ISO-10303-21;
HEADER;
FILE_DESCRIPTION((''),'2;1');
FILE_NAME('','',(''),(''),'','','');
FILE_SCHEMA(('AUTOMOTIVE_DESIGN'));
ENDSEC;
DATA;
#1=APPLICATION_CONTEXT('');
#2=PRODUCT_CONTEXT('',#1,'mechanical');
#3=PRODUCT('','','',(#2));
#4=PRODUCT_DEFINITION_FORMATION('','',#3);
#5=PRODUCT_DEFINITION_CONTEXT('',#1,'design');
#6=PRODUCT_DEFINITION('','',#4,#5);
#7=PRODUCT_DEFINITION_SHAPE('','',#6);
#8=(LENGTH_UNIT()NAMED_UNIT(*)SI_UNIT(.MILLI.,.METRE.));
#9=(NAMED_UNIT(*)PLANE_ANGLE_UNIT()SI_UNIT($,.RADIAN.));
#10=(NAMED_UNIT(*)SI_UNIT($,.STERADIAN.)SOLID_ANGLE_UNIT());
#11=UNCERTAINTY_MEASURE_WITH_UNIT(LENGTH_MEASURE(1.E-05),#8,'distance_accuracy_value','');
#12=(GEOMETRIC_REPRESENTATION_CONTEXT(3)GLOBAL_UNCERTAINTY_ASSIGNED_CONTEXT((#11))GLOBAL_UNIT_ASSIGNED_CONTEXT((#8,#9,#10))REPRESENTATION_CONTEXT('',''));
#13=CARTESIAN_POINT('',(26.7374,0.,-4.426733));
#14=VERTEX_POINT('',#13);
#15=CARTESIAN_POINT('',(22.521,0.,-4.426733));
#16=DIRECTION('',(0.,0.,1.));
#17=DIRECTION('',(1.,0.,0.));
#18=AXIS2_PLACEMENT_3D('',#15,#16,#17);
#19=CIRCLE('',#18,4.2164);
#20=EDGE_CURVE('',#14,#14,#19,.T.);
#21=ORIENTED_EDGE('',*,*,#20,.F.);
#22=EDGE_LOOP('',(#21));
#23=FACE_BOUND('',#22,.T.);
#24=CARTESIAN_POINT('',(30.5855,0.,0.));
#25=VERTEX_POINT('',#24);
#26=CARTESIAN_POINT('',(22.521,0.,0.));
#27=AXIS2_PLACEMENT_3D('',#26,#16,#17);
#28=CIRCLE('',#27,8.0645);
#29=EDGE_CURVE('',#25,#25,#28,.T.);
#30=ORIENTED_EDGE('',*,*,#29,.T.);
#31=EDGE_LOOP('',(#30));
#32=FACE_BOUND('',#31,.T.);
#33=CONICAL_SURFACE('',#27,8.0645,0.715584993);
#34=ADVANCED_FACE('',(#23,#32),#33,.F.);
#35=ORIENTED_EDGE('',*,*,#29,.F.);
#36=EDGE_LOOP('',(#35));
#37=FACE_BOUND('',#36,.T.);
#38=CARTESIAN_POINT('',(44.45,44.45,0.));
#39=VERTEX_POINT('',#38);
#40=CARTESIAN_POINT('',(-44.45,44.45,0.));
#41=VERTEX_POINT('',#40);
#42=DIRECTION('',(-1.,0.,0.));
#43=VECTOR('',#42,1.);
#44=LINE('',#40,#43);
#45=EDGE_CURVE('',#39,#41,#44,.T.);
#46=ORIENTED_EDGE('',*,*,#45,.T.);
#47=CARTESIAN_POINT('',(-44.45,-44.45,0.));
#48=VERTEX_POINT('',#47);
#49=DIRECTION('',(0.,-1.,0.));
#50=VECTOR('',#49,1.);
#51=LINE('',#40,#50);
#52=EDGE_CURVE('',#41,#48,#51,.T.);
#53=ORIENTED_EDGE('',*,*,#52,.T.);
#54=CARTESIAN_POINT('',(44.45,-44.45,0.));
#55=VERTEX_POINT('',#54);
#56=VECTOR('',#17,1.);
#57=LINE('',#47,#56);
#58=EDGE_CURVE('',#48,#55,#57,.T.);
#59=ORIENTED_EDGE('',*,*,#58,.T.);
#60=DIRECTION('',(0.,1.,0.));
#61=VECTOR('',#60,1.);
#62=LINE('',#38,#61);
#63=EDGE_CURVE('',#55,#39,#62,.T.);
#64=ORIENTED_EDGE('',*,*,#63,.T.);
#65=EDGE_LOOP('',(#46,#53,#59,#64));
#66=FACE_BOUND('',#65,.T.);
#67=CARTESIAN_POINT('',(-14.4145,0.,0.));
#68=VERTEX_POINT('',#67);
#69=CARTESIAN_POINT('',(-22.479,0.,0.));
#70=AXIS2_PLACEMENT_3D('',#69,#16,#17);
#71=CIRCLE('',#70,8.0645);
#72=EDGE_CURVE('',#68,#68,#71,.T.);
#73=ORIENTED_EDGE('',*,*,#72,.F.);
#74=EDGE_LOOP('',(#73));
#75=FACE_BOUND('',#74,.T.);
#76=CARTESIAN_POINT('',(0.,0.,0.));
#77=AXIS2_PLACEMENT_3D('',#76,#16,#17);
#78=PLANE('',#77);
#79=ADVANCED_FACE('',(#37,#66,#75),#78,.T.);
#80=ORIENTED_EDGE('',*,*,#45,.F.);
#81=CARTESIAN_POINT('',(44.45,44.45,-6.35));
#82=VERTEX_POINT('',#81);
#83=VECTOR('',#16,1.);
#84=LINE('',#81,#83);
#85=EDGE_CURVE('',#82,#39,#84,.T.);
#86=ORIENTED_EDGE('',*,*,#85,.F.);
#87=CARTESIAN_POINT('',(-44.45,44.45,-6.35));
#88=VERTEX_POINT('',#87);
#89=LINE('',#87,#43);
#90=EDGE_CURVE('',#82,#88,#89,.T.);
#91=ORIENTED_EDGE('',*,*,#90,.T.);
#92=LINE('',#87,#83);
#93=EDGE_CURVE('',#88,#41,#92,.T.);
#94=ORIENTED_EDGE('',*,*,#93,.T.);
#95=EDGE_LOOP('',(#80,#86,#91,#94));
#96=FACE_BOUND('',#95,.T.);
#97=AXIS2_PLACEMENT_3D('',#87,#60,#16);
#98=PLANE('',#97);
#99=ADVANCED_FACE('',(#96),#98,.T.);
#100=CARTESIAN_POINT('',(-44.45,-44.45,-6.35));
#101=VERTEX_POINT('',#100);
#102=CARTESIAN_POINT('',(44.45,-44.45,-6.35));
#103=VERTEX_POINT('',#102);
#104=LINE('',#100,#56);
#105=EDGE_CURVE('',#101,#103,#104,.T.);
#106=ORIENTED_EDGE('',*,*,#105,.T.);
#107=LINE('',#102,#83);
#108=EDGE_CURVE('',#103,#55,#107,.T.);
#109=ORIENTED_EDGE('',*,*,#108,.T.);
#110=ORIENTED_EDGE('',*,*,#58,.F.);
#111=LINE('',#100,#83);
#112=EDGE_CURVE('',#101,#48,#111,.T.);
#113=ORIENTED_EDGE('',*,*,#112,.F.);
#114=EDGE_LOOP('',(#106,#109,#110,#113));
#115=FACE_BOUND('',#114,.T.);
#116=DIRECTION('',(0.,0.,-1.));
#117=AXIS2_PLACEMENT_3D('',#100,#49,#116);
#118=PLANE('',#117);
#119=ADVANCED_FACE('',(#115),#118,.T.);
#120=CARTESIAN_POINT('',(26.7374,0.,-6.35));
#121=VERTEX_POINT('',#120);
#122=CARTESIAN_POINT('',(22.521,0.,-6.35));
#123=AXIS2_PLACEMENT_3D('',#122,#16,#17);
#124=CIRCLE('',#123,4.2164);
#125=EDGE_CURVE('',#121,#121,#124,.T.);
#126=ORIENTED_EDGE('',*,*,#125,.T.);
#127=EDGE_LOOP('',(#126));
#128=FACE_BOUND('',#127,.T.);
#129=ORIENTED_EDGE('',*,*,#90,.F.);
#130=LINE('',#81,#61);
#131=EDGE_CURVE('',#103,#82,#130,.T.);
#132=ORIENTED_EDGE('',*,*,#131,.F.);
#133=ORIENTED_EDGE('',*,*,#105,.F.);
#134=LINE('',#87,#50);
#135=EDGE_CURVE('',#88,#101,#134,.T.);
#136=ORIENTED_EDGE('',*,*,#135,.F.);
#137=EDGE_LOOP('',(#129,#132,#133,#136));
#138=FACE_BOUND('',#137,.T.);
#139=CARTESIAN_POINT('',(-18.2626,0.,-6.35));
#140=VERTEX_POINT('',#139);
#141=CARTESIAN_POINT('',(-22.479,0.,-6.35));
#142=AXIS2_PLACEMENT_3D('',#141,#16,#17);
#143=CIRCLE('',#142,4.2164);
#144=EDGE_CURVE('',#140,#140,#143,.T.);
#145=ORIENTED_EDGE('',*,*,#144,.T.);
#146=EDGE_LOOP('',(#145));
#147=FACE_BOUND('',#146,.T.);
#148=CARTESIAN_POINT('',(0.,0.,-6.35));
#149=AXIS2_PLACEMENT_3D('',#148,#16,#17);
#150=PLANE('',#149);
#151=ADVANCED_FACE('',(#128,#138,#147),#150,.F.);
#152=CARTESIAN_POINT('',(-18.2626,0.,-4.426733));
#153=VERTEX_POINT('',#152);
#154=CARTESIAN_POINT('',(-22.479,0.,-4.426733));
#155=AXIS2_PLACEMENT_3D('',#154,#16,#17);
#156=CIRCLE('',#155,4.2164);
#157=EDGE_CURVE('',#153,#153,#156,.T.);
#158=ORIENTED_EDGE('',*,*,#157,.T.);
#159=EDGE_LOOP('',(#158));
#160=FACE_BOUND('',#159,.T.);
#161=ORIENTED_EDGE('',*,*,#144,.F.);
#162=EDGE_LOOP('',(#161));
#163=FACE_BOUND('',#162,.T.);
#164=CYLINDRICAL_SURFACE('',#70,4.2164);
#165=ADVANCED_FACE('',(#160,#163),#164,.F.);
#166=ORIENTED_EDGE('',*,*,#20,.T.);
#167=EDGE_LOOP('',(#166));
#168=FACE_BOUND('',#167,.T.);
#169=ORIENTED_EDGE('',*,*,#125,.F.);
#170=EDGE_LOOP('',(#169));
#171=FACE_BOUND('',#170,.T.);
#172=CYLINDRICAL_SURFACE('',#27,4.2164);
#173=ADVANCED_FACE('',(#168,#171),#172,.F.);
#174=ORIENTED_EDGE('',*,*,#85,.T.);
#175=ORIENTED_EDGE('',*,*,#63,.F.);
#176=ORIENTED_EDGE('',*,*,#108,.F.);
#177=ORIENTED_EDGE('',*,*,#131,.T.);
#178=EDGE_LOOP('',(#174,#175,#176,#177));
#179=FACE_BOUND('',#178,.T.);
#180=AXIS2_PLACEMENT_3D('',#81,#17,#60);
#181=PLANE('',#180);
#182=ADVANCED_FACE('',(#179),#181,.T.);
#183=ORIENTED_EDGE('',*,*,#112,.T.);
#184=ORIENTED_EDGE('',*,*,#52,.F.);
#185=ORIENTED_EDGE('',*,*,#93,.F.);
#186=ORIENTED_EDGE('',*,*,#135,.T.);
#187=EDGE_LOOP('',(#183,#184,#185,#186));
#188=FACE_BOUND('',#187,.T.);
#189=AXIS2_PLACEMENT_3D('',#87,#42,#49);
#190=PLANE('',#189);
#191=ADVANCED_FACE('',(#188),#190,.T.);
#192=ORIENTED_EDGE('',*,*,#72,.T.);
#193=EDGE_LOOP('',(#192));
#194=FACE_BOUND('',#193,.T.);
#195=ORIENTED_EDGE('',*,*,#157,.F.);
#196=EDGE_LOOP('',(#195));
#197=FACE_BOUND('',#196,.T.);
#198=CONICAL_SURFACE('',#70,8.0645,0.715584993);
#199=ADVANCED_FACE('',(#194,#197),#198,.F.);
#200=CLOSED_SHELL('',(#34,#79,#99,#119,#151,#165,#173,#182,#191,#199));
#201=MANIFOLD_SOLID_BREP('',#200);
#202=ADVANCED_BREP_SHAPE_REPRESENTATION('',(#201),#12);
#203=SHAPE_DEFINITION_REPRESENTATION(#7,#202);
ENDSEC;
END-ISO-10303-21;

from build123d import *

# Parameters (mm, degrees)
SKETCH1_W                                         = 88.9
SKETCH1_H                                         = 88.9
SKETCH1_R                                         = 4.191
SKETCH1_R_2                                       = 4.15
BOSS_EXTRUDE1_DEPTH                               = 6.35
CSK_FOR_5_16_FLAT_HEAD_MACHINE_SCREW1_D           = 8.4328
CSK_FOR_5_16_FLAT_HEAD_MACHINE_SCREW1_DEPTH       = 32.766
CSK_FOR_5_16_FLAT_HEAD_MACHINE_SCREW1_CSINK_D     = 16.129
CSK_FOR_5_16_FLAT_HEAD_MACHINE_SCREW1_CSINK_ANGLE = 82
CSK_FOR_5_16_FLAT_HEAD_MACHINE_SCREW1_TIP         = 2.533468714


with BuildPart() as part:
    # Sketch1 → Boss-Extrude1 (new body)
    with BuildSketch(Plane.XY):
        Rectangle(SKETCH1_W, SKETCH1_H)
        with Locations((-22.479, 0)):
            Circle(SKETCH1_R, mode=Mode.SUBTRACT)
        with Locations((22.521, 0)):
            Circle(SKETCH1_R_2, mode=Mode.SUBTRACT)
    extrude(amount=-BOSS_EXTRUDE1_DEPTH)

    # CSK for 5/16 Flat Head Machine Screw1
    with Locations(Plane(origin=(-22.479, 0, 0), x_dir=(1, 0, 0), z_dir=(0, 0, 1))):
        with Locations((0, 0), (45, 0)):
            CounterSinkHole(CSK_FOR_5_16_FLAT_HEAD_MACHINE_SCREW1_D / 2, CSK_FOR_5_16_FLAT_HEAD_MACHINE_SCREW1_CSINK_D / 2, depth=CSK_FOR_5_16_FLAT_HEAD_MACHINE_SCREW1_DEPTH, counter_sink_angle=CSK_FOR_5_16_FLAT_HEAD_MACHINE_SCREW1_CSINK_ANGLE)
            with Locations((0, 0, -(CSK_FOR_5_16_FLAT_HEAD_MACHINE_SCREW1_DEPTH + CSK_FOR_5_16_FLAT_HEAD_MACHINE_SCREW1_TIP / 2))):  # 118° drill point
                Cone(0, CSK_FOR_5_16_FLAT_HEAD_MACHINE_SCREW1_D / 2, CSK_FOR_5_16_FLAT_HEAD_MACHINE_SCREW1_TIP, mode=Mode.SUBTRACT)


solid = part.part
